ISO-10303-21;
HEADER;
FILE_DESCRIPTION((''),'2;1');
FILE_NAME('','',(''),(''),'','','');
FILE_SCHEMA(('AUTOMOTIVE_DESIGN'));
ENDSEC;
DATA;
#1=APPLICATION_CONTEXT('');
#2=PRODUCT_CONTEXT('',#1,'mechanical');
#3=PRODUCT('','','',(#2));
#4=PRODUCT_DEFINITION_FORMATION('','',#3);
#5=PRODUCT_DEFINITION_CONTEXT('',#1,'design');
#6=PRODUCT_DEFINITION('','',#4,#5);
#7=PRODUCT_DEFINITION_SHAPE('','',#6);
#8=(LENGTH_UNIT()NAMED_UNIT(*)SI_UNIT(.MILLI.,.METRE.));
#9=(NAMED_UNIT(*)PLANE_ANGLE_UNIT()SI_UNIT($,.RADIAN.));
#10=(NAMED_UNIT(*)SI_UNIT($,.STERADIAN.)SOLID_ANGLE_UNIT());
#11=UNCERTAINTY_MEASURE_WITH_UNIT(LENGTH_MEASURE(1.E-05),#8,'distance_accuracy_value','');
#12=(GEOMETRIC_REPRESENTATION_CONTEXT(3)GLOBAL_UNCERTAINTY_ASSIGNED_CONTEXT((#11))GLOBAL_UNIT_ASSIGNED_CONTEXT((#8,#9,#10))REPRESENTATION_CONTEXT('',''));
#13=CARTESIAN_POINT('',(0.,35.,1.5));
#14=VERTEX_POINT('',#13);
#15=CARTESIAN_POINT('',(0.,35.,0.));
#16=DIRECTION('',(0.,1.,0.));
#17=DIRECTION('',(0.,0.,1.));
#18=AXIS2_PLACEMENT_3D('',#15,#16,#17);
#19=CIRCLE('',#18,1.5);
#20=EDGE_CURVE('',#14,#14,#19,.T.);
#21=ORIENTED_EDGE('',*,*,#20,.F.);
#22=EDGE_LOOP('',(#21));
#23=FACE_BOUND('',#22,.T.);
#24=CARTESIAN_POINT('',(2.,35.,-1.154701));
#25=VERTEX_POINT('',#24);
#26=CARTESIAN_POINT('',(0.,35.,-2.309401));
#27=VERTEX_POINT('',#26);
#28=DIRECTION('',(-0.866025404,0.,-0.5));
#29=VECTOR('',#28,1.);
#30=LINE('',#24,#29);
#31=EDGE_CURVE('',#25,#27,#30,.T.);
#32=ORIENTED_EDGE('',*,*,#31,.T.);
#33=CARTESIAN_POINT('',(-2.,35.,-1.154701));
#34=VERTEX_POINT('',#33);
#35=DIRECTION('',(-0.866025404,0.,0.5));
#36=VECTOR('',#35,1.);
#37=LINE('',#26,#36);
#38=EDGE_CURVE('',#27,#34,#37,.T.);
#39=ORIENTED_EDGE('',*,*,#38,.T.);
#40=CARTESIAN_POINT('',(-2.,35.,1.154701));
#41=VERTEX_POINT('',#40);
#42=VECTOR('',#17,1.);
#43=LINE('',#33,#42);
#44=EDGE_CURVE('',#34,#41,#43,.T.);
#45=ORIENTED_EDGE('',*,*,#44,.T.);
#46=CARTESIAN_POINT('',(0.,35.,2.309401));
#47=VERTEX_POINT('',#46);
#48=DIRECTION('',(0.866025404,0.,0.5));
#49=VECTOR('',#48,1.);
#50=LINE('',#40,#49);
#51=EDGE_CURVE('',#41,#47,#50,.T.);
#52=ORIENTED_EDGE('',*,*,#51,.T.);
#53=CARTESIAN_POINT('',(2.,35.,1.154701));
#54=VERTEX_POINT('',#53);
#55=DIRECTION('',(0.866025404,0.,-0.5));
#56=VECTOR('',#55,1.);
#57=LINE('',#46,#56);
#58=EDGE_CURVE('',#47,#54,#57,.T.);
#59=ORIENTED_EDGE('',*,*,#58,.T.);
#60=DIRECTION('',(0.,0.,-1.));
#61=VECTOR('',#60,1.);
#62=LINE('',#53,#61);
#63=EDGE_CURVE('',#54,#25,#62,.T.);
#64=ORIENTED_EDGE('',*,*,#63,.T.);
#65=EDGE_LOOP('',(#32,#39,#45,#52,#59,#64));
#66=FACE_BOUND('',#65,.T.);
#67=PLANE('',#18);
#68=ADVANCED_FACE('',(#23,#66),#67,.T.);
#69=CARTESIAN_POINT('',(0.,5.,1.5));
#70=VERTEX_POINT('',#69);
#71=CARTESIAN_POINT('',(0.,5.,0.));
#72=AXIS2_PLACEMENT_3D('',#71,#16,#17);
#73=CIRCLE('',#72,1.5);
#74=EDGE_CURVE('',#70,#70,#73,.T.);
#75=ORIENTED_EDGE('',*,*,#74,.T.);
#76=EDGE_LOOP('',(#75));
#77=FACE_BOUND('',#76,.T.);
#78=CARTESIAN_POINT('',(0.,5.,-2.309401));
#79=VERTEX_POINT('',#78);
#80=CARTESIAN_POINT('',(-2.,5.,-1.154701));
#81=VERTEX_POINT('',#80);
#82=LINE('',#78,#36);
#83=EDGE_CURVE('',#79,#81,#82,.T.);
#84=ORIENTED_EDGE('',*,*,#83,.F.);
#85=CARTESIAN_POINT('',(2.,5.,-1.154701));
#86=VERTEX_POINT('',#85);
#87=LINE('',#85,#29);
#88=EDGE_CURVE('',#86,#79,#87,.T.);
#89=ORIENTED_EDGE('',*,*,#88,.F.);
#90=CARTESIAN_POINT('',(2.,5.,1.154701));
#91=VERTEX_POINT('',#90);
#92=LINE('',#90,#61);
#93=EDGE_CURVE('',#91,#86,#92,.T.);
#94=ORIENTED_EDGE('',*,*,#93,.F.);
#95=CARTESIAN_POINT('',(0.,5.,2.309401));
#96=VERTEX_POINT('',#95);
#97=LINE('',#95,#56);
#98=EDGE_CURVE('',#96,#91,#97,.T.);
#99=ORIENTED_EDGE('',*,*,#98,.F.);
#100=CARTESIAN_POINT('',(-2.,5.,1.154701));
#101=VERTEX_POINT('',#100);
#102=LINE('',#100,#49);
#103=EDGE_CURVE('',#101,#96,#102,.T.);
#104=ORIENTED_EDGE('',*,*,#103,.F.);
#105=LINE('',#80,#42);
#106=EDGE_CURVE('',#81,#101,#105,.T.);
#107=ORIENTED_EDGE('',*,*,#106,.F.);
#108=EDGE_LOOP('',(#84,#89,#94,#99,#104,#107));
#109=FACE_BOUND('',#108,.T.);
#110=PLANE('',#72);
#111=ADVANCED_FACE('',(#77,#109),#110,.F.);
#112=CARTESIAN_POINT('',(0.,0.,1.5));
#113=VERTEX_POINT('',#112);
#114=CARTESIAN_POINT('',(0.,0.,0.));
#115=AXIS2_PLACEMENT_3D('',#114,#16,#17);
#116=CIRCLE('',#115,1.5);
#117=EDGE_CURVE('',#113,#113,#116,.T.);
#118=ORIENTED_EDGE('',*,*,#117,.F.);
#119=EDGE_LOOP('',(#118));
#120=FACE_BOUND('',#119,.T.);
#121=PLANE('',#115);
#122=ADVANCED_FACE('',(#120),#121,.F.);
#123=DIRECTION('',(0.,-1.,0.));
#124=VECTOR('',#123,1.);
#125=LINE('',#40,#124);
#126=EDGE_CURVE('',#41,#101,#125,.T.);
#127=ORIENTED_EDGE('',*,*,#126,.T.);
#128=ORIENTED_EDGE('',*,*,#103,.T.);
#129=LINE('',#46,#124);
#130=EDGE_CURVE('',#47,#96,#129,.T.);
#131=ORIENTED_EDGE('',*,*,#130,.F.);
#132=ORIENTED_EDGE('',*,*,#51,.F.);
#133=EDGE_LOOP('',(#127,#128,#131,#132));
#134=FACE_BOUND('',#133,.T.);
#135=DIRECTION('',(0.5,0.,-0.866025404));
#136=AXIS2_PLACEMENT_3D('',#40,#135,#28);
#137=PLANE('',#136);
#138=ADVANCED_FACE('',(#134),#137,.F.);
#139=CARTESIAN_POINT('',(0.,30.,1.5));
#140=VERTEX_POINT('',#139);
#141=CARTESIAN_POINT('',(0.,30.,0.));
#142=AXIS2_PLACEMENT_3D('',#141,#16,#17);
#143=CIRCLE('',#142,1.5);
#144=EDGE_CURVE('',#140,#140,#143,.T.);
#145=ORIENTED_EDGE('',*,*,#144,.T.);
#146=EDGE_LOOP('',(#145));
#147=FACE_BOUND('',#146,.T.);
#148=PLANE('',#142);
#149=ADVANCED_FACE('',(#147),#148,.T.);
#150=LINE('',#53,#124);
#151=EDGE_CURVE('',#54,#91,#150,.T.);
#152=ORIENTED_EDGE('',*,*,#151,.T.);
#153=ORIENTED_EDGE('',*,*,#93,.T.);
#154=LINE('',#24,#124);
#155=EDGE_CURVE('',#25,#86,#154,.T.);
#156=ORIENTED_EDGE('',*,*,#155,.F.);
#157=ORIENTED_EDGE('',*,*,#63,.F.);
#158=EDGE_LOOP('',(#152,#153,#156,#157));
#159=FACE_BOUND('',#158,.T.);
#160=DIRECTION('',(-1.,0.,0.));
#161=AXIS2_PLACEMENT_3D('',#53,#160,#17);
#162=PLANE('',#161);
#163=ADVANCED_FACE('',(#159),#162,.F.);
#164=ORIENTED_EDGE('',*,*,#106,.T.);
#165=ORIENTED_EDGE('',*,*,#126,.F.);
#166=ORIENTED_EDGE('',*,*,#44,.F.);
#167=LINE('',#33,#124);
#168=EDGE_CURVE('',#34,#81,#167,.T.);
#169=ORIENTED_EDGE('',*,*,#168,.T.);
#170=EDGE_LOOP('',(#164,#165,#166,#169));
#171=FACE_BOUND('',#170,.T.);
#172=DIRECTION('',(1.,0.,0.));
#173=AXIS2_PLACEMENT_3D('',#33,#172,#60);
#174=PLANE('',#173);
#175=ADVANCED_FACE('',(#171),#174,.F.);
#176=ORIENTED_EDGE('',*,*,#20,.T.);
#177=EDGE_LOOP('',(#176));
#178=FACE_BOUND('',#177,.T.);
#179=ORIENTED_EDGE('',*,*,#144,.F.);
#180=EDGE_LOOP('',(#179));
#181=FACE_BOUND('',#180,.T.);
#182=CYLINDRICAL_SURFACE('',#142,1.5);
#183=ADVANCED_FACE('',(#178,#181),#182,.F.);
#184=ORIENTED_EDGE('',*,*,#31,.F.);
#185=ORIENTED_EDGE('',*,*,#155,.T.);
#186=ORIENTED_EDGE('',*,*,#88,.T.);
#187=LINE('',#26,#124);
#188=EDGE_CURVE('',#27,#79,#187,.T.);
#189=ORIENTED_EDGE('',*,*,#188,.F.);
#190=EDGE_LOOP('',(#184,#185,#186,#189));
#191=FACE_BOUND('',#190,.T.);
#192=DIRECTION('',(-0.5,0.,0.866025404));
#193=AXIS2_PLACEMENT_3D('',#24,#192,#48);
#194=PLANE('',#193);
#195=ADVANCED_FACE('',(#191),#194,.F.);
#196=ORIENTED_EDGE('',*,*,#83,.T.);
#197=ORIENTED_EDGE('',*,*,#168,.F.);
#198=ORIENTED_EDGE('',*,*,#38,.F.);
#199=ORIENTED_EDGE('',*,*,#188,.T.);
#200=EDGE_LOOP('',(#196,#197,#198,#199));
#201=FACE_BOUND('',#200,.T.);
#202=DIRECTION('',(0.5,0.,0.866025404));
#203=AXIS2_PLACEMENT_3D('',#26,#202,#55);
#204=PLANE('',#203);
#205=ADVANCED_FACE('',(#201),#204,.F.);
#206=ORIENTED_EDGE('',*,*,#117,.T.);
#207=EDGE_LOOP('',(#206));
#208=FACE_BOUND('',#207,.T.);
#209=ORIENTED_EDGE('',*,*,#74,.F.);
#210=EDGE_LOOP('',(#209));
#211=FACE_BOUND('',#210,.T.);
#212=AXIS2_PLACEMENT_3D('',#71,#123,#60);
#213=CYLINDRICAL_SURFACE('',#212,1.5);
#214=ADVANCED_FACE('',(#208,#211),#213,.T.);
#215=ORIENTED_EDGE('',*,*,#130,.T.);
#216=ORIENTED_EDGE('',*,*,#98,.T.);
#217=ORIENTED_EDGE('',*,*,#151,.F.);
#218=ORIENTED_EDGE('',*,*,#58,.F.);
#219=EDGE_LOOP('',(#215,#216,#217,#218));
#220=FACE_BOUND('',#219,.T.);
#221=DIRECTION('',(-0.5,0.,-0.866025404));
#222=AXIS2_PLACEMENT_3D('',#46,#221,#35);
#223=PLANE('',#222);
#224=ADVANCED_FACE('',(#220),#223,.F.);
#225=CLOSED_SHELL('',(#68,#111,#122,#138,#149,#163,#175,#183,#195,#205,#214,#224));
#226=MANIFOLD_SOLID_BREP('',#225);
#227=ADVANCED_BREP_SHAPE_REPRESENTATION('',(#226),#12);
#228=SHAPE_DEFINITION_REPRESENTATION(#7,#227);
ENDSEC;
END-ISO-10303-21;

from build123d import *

# Parameters (mm, degrees)
SKETCH_1_R          = 1.5
EXTRUDE_1_DEPTH     = 5
EXTRUDE_2_DEPTH     = 30
SKETCH_3_R          = 1.5
CUT_EXTRUDE_1_DEPTH = 5


with BuildPart() as part:
    # 草图1 → 凸台-拉伸1 (new body)
    with BuildSketch(Plane(origin=(0, 0, 0), x_dir=(1, 0, 0), z_dir=(0, 1, 0))):
        Circle(SKETCH_1_R)
    extrude(amount=EXTRUDE_1_DEPTH)

    # 草图2 → 凸台-拉伸2 (add)
    with BuildSketch(Plane(origin=(0, 5, 0), x_dir=(1, 0, 0), z_dir=(0, 1, 0))):
        Polygon((0, 2.309401077), (-2, 1.154700538), (-2, -1.154700538), (0, -2.309401077), (2, -1.154700538), (2, 1.154700538), align=None)
    extrude(amount=EXTRUDE_2_DEPTH)

    # 草图3 → 切除-拉伸1 (cut)
    with BuildSketch(Plane(origin=(0, 35, 0), x_dir=(1, 0, 0), z_dir=(0, 1, 0))):
        Circle(SKETCH_3_R)
    extrude(amount=-CUT_EXTRUDE_1_DEPTH, mode=Mode.SUBTRACT)


solid = part.part
